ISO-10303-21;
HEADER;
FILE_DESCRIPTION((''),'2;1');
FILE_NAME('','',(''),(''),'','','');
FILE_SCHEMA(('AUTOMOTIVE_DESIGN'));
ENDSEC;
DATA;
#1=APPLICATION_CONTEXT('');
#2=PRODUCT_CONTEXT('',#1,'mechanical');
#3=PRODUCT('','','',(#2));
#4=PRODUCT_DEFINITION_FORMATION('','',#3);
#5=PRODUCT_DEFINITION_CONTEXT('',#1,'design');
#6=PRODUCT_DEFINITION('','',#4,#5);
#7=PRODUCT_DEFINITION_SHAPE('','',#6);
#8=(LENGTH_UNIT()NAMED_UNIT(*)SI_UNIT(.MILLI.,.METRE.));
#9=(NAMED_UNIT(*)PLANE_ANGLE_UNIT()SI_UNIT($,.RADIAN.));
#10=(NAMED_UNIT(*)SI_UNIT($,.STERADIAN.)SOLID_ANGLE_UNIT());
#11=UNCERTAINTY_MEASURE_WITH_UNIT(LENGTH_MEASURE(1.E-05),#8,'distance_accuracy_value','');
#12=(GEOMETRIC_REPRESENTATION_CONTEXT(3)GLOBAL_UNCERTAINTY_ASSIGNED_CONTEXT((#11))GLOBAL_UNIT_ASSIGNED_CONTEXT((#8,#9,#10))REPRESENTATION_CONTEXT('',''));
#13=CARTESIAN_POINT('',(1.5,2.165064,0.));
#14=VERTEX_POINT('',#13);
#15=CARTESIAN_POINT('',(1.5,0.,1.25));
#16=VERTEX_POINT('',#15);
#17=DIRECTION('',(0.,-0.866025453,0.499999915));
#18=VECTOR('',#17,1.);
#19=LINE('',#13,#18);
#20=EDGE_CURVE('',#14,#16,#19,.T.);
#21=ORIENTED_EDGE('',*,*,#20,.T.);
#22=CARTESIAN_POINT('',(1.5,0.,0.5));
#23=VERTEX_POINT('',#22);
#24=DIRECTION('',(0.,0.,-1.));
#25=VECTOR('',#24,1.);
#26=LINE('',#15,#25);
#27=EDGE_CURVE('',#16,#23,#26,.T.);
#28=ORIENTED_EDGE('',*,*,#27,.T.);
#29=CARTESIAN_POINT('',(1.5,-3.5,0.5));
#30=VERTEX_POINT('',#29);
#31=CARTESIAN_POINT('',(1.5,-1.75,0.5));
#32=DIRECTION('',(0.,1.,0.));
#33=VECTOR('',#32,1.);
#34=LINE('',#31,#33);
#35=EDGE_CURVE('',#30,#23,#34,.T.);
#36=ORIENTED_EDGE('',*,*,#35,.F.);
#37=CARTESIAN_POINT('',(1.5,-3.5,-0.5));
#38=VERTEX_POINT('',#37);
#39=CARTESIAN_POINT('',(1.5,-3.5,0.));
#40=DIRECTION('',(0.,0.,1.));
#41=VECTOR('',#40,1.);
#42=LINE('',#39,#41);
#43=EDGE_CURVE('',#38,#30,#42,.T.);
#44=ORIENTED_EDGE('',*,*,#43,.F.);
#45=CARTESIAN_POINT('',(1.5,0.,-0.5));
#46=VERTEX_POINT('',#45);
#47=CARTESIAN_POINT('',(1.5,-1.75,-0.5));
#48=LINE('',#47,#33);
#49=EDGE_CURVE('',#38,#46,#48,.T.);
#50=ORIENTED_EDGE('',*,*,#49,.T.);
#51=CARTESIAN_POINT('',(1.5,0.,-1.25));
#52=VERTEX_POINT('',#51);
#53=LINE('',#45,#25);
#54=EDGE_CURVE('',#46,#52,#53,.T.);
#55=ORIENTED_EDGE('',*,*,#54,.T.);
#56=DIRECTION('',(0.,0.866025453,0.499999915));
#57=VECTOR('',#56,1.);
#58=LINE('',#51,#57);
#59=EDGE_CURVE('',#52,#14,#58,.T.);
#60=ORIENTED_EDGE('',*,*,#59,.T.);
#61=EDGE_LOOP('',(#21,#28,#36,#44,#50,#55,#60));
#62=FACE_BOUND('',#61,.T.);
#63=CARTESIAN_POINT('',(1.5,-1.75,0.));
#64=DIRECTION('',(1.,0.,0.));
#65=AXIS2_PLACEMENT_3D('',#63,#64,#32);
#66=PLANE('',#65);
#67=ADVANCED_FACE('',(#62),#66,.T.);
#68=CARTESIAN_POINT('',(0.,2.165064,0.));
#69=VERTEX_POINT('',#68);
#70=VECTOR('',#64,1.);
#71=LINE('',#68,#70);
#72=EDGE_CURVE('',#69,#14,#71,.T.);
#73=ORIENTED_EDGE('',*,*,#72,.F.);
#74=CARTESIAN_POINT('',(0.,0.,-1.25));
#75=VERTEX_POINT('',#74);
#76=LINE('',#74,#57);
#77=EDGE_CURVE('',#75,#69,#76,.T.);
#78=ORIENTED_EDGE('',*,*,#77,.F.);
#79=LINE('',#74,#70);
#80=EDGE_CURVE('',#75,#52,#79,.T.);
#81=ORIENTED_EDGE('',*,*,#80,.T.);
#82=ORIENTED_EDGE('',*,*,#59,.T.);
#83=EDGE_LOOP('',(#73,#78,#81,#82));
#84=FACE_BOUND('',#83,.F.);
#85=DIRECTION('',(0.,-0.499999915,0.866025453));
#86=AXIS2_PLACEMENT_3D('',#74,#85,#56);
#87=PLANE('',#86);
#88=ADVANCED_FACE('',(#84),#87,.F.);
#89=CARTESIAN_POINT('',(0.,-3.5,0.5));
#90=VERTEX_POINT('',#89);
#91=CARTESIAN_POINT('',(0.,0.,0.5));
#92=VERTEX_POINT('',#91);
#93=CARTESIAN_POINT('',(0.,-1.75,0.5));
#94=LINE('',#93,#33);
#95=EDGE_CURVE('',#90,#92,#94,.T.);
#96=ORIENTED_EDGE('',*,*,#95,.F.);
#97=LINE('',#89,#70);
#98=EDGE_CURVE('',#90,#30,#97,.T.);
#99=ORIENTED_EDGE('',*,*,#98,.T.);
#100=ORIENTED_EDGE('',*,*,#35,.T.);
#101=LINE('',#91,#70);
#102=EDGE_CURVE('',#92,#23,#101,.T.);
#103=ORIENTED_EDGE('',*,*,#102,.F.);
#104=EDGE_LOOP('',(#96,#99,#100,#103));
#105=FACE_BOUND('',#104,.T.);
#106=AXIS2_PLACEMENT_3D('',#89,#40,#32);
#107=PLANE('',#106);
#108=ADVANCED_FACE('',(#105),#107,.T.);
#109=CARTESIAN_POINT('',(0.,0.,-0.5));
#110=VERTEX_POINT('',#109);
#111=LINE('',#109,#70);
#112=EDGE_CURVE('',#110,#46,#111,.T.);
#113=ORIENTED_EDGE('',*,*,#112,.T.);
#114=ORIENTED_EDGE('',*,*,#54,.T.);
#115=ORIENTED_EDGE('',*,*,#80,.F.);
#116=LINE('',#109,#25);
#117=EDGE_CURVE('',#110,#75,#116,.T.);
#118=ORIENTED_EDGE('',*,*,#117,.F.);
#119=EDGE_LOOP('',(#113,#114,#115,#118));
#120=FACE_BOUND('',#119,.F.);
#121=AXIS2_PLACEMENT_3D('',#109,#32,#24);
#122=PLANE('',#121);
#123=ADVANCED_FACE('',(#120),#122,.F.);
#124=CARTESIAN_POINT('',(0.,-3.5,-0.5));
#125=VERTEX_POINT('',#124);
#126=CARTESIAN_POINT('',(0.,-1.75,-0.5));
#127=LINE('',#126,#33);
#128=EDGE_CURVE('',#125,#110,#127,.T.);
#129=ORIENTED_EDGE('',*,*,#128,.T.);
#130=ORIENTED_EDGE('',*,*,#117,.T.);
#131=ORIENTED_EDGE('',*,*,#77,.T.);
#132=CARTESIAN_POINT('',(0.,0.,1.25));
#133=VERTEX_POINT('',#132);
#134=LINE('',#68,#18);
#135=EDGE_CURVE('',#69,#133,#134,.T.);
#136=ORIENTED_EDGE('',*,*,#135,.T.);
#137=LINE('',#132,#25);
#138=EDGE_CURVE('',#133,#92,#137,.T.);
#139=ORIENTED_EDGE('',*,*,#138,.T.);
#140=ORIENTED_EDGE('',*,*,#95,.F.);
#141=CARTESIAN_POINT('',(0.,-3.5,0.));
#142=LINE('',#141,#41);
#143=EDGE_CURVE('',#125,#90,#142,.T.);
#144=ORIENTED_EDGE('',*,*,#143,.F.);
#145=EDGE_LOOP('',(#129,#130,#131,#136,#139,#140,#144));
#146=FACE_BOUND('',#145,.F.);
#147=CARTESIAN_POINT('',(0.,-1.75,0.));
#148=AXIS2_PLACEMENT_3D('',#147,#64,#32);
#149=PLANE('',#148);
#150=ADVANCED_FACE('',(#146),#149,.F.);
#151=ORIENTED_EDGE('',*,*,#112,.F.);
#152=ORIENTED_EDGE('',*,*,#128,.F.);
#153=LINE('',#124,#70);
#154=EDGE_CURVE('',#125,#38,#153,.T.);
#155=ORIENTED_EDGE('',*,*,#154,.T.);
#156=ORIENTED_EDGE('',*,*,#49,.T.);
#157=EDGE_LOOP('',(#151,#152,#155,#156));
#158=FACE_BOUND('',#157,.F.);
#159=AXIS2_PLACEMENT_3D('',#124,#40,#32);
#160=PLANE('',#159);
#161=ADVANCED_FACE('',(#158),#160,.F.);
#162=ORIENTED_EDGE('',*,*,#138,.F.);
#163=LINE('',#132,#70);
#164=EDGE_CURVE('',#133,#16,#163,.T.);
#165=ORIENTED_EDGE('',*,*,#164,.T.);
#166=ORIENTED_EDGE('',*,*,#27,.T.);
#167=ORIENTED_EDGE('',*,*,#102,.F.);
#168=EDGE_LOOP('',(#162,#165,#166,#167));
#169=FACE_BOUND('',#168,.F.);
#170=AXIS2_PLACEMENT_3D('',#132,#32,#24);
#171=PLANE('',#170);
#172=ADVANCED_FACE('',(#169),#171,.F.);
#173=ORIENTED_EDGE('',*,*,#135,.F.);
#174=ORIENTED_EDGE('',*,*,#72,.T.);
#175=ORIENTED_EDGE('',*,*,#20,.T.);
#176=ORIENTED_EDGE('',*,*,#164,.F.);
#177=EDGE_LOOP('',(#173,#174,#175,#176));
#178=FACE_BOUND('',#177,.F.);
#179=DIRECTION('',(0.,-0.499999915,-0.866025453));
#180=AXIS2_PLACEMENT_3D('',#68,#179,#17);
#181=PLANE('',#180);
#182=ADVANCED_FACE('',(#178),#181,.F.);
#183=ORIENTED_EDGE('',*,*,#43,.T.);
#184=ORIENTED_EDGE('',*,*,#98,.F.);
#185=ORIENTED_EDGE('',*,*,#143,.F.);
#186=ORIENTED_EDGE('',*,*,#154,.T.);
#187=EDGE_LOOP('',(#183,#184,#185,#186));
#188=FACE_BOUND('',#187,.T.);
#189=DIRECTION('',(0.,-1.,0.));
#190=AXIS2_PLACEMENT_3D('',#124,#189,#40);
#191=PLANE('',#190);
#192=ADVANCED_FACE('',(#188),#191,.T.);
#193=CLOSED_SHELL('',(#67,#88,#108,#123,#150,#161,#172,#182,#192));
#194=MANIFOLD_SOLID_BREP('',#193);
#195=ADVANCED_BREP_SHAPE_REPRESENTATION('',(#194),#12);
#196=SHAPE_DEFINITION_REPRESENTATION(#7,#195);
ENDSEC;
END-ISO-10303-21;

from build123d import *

# Parameters (mm, degrees)
F0_W     = 3.5
F0_H     = 1
F1_DEPTH = 1.5


with BuildPart() as f1:
    # F0 (on Right) → F1 (new body)
    with BuildSketch(Plane.YZ):
        with Locations((-1.75, 0)):
            Rectangle(F0_W, F0_H)
        Polygon((0, 0.5), (0, -0.5), (0, -1.25), (2.165064, 0), (0, 1.25), align=None)
    extrude(amount=F1_DEPTH)


solid = f1.part
